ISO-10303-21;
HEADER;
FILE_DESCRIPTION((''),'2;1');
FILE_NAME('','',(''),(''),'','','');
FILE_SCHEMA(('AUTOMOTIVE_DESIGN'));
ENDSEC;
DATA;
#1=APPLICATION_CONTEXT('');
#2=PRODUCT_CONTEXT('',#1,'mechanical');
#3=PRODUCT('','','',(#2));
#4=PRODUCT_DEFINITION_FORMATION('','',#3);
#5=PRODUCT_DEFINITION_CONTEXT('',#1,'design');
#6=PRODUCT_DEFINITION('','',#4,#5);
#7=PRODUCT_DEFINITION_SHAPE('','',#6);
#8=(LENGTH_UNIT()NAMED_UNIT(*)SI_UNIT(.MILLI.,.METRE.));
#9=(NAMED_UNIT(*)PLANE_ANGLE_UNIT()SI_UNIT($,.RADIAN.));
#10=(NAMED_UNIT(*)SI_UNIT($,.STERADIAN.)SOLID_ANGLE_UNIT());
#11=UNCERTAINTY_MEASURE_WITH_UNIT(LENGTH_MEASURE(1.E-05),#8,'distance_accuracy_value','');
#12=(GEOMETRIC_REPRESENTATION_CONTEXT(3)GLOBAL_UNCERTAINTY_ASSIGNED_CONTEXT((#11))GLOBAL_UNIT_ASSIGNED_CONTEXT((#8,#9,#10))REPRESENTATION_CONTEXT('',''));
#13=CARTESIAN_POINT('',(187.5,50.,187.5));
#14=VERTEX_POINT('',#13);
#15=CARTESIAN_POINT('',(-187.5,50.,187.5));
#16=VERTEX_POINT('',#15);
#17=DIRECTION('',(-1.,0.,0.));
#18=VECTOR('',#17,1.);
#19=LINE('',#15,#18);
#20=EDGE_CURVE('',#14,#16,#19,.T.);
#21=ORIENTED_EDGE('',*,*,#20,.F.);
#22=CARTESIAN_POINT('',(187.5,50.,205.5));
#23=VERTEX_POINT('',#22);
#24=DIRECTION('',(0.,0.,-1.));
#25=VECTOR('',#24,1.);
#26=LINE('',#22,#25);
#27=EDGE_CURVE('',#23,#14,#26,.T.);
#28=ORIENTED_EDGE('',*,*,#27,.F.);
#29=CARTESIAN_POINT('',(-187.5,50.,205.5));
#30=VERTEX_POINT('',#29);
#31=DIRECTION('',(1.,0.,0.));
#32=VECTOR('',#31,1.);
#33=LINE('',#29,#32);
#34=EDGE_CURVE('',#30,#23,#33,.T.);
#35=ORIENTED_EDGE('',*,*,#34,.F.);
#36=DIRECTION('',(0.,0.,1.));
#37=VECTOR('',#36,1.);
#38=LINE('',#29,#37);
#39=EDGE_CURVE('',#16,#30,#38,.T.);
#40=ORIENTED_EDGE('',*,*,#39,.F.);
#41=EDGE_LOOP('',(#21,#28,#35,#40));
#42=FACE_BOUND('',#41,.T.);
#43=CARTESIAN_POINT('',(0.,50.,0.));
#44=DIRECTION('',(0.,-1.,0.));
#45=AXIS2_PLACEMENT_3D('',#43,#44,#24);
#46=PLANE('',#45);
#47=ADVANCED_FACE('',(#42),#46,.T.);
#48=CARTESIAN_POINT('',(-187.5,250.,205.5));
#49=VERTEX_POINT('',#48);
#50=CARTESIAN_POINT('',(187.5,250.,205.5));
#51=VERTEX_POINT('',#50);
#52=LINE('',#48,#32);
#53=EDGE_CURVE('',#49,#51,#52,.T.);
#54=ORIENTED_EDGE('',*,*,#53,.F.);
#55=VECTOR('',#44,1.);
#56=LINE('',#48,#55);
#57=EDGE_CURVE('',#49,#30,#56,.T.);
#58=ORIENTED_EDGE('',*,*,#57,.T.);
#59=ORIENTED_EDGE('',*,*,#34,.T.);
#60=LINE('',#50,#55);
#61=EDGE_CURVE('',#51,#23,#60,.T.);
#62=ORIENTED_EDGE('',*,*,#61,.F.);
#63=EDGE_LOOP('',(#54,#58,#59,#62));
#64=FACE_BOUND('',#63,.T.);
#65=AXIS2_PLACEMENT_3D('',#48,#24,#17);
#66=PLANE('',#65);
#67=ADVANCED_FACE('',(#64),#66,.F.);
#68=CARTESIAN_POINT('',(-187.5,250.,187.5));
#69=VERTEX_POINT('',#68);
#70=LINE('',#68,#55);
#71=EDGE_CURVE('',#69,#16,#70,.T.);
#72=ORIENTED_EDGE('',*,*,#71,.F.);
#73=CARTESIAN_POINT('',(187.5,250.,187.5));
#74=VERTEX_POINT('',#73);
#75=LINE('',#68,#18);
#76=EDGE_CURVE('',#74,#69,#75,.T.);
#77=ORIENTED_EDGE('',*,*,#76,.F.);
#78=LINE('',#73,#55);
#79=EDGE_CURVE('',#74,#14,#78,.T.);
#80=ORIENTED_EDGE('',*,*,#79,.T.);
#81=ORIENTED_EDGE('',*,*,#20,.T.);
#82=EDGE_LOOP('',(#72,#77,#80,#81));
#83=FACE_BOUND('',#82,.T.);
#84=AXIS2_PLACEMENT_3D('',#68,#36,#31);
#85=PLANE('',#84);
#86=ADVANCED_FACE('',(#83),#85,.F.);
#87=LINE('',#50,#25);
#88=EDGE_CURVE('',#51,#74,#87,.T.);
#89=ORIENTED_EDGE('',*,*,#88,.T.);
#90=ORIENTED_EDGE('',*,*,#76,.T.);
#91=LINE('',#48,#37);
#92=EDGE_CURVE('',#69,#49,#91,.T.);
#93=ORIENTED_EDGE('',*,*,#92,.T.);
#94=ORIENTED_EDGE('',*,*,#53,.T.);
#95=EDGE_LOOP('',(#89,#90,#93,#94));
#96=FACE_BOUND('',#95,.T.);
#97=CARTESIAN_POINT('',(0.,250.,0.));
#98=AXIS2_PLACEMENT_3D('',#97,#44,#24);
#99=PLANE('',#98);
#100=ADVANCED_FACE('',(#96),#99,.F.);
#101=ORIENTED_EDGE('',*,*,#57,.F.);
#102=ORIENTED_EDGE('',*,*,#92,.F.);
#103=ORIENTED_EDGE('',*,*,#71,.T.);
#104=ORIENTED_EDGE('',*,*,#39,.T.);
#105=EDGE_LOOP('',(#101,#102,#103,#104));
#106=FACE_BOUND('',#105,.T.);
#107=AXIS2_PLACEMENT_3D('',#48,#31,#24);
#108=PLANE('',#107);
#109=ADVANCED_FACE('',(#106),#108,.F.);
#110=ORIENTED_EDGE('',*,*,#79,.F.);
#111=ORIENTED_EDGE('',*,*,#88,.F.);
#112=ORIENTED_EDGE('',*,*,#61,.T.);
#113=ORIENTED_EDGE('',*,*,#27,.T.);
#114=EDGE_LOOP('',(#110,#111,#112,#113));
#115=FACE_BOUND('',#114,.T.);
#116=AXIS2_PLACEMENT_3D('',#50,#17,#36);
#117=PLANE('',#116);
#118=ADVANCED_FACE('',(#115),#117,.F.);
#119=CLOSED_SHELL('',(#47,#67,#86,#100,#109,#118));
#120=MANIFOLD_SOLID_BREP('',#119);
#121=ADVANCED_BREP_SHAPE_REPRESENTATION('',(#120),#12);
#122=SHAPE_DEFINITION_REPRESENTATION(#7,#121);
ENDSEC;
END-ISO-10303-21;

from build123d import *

# Parameters (mm, degrees)
SKPAREDCHICANORTE_W   = 375
SKPAREDCHICANORTE_H   = 18
PAREDCHICANORTE_DEPTH = 200


with BuildPart() as part:
    # SkParedChicaNorte → ParedChicaNorte (new body)
    with BuildSketch(Plane(origin=(0, 50, 0), x_dir=(1, 0, 0), z_dir=(0, 1, 0))):
        with Locations((0, -196.5)):
            Rectangle(SKPAREDCHICANORTE_W, SKPAREDCHICANORTE_H)
    extrude(amount=PAREDCHICANORTE_DEPTH)


solid = part.part
